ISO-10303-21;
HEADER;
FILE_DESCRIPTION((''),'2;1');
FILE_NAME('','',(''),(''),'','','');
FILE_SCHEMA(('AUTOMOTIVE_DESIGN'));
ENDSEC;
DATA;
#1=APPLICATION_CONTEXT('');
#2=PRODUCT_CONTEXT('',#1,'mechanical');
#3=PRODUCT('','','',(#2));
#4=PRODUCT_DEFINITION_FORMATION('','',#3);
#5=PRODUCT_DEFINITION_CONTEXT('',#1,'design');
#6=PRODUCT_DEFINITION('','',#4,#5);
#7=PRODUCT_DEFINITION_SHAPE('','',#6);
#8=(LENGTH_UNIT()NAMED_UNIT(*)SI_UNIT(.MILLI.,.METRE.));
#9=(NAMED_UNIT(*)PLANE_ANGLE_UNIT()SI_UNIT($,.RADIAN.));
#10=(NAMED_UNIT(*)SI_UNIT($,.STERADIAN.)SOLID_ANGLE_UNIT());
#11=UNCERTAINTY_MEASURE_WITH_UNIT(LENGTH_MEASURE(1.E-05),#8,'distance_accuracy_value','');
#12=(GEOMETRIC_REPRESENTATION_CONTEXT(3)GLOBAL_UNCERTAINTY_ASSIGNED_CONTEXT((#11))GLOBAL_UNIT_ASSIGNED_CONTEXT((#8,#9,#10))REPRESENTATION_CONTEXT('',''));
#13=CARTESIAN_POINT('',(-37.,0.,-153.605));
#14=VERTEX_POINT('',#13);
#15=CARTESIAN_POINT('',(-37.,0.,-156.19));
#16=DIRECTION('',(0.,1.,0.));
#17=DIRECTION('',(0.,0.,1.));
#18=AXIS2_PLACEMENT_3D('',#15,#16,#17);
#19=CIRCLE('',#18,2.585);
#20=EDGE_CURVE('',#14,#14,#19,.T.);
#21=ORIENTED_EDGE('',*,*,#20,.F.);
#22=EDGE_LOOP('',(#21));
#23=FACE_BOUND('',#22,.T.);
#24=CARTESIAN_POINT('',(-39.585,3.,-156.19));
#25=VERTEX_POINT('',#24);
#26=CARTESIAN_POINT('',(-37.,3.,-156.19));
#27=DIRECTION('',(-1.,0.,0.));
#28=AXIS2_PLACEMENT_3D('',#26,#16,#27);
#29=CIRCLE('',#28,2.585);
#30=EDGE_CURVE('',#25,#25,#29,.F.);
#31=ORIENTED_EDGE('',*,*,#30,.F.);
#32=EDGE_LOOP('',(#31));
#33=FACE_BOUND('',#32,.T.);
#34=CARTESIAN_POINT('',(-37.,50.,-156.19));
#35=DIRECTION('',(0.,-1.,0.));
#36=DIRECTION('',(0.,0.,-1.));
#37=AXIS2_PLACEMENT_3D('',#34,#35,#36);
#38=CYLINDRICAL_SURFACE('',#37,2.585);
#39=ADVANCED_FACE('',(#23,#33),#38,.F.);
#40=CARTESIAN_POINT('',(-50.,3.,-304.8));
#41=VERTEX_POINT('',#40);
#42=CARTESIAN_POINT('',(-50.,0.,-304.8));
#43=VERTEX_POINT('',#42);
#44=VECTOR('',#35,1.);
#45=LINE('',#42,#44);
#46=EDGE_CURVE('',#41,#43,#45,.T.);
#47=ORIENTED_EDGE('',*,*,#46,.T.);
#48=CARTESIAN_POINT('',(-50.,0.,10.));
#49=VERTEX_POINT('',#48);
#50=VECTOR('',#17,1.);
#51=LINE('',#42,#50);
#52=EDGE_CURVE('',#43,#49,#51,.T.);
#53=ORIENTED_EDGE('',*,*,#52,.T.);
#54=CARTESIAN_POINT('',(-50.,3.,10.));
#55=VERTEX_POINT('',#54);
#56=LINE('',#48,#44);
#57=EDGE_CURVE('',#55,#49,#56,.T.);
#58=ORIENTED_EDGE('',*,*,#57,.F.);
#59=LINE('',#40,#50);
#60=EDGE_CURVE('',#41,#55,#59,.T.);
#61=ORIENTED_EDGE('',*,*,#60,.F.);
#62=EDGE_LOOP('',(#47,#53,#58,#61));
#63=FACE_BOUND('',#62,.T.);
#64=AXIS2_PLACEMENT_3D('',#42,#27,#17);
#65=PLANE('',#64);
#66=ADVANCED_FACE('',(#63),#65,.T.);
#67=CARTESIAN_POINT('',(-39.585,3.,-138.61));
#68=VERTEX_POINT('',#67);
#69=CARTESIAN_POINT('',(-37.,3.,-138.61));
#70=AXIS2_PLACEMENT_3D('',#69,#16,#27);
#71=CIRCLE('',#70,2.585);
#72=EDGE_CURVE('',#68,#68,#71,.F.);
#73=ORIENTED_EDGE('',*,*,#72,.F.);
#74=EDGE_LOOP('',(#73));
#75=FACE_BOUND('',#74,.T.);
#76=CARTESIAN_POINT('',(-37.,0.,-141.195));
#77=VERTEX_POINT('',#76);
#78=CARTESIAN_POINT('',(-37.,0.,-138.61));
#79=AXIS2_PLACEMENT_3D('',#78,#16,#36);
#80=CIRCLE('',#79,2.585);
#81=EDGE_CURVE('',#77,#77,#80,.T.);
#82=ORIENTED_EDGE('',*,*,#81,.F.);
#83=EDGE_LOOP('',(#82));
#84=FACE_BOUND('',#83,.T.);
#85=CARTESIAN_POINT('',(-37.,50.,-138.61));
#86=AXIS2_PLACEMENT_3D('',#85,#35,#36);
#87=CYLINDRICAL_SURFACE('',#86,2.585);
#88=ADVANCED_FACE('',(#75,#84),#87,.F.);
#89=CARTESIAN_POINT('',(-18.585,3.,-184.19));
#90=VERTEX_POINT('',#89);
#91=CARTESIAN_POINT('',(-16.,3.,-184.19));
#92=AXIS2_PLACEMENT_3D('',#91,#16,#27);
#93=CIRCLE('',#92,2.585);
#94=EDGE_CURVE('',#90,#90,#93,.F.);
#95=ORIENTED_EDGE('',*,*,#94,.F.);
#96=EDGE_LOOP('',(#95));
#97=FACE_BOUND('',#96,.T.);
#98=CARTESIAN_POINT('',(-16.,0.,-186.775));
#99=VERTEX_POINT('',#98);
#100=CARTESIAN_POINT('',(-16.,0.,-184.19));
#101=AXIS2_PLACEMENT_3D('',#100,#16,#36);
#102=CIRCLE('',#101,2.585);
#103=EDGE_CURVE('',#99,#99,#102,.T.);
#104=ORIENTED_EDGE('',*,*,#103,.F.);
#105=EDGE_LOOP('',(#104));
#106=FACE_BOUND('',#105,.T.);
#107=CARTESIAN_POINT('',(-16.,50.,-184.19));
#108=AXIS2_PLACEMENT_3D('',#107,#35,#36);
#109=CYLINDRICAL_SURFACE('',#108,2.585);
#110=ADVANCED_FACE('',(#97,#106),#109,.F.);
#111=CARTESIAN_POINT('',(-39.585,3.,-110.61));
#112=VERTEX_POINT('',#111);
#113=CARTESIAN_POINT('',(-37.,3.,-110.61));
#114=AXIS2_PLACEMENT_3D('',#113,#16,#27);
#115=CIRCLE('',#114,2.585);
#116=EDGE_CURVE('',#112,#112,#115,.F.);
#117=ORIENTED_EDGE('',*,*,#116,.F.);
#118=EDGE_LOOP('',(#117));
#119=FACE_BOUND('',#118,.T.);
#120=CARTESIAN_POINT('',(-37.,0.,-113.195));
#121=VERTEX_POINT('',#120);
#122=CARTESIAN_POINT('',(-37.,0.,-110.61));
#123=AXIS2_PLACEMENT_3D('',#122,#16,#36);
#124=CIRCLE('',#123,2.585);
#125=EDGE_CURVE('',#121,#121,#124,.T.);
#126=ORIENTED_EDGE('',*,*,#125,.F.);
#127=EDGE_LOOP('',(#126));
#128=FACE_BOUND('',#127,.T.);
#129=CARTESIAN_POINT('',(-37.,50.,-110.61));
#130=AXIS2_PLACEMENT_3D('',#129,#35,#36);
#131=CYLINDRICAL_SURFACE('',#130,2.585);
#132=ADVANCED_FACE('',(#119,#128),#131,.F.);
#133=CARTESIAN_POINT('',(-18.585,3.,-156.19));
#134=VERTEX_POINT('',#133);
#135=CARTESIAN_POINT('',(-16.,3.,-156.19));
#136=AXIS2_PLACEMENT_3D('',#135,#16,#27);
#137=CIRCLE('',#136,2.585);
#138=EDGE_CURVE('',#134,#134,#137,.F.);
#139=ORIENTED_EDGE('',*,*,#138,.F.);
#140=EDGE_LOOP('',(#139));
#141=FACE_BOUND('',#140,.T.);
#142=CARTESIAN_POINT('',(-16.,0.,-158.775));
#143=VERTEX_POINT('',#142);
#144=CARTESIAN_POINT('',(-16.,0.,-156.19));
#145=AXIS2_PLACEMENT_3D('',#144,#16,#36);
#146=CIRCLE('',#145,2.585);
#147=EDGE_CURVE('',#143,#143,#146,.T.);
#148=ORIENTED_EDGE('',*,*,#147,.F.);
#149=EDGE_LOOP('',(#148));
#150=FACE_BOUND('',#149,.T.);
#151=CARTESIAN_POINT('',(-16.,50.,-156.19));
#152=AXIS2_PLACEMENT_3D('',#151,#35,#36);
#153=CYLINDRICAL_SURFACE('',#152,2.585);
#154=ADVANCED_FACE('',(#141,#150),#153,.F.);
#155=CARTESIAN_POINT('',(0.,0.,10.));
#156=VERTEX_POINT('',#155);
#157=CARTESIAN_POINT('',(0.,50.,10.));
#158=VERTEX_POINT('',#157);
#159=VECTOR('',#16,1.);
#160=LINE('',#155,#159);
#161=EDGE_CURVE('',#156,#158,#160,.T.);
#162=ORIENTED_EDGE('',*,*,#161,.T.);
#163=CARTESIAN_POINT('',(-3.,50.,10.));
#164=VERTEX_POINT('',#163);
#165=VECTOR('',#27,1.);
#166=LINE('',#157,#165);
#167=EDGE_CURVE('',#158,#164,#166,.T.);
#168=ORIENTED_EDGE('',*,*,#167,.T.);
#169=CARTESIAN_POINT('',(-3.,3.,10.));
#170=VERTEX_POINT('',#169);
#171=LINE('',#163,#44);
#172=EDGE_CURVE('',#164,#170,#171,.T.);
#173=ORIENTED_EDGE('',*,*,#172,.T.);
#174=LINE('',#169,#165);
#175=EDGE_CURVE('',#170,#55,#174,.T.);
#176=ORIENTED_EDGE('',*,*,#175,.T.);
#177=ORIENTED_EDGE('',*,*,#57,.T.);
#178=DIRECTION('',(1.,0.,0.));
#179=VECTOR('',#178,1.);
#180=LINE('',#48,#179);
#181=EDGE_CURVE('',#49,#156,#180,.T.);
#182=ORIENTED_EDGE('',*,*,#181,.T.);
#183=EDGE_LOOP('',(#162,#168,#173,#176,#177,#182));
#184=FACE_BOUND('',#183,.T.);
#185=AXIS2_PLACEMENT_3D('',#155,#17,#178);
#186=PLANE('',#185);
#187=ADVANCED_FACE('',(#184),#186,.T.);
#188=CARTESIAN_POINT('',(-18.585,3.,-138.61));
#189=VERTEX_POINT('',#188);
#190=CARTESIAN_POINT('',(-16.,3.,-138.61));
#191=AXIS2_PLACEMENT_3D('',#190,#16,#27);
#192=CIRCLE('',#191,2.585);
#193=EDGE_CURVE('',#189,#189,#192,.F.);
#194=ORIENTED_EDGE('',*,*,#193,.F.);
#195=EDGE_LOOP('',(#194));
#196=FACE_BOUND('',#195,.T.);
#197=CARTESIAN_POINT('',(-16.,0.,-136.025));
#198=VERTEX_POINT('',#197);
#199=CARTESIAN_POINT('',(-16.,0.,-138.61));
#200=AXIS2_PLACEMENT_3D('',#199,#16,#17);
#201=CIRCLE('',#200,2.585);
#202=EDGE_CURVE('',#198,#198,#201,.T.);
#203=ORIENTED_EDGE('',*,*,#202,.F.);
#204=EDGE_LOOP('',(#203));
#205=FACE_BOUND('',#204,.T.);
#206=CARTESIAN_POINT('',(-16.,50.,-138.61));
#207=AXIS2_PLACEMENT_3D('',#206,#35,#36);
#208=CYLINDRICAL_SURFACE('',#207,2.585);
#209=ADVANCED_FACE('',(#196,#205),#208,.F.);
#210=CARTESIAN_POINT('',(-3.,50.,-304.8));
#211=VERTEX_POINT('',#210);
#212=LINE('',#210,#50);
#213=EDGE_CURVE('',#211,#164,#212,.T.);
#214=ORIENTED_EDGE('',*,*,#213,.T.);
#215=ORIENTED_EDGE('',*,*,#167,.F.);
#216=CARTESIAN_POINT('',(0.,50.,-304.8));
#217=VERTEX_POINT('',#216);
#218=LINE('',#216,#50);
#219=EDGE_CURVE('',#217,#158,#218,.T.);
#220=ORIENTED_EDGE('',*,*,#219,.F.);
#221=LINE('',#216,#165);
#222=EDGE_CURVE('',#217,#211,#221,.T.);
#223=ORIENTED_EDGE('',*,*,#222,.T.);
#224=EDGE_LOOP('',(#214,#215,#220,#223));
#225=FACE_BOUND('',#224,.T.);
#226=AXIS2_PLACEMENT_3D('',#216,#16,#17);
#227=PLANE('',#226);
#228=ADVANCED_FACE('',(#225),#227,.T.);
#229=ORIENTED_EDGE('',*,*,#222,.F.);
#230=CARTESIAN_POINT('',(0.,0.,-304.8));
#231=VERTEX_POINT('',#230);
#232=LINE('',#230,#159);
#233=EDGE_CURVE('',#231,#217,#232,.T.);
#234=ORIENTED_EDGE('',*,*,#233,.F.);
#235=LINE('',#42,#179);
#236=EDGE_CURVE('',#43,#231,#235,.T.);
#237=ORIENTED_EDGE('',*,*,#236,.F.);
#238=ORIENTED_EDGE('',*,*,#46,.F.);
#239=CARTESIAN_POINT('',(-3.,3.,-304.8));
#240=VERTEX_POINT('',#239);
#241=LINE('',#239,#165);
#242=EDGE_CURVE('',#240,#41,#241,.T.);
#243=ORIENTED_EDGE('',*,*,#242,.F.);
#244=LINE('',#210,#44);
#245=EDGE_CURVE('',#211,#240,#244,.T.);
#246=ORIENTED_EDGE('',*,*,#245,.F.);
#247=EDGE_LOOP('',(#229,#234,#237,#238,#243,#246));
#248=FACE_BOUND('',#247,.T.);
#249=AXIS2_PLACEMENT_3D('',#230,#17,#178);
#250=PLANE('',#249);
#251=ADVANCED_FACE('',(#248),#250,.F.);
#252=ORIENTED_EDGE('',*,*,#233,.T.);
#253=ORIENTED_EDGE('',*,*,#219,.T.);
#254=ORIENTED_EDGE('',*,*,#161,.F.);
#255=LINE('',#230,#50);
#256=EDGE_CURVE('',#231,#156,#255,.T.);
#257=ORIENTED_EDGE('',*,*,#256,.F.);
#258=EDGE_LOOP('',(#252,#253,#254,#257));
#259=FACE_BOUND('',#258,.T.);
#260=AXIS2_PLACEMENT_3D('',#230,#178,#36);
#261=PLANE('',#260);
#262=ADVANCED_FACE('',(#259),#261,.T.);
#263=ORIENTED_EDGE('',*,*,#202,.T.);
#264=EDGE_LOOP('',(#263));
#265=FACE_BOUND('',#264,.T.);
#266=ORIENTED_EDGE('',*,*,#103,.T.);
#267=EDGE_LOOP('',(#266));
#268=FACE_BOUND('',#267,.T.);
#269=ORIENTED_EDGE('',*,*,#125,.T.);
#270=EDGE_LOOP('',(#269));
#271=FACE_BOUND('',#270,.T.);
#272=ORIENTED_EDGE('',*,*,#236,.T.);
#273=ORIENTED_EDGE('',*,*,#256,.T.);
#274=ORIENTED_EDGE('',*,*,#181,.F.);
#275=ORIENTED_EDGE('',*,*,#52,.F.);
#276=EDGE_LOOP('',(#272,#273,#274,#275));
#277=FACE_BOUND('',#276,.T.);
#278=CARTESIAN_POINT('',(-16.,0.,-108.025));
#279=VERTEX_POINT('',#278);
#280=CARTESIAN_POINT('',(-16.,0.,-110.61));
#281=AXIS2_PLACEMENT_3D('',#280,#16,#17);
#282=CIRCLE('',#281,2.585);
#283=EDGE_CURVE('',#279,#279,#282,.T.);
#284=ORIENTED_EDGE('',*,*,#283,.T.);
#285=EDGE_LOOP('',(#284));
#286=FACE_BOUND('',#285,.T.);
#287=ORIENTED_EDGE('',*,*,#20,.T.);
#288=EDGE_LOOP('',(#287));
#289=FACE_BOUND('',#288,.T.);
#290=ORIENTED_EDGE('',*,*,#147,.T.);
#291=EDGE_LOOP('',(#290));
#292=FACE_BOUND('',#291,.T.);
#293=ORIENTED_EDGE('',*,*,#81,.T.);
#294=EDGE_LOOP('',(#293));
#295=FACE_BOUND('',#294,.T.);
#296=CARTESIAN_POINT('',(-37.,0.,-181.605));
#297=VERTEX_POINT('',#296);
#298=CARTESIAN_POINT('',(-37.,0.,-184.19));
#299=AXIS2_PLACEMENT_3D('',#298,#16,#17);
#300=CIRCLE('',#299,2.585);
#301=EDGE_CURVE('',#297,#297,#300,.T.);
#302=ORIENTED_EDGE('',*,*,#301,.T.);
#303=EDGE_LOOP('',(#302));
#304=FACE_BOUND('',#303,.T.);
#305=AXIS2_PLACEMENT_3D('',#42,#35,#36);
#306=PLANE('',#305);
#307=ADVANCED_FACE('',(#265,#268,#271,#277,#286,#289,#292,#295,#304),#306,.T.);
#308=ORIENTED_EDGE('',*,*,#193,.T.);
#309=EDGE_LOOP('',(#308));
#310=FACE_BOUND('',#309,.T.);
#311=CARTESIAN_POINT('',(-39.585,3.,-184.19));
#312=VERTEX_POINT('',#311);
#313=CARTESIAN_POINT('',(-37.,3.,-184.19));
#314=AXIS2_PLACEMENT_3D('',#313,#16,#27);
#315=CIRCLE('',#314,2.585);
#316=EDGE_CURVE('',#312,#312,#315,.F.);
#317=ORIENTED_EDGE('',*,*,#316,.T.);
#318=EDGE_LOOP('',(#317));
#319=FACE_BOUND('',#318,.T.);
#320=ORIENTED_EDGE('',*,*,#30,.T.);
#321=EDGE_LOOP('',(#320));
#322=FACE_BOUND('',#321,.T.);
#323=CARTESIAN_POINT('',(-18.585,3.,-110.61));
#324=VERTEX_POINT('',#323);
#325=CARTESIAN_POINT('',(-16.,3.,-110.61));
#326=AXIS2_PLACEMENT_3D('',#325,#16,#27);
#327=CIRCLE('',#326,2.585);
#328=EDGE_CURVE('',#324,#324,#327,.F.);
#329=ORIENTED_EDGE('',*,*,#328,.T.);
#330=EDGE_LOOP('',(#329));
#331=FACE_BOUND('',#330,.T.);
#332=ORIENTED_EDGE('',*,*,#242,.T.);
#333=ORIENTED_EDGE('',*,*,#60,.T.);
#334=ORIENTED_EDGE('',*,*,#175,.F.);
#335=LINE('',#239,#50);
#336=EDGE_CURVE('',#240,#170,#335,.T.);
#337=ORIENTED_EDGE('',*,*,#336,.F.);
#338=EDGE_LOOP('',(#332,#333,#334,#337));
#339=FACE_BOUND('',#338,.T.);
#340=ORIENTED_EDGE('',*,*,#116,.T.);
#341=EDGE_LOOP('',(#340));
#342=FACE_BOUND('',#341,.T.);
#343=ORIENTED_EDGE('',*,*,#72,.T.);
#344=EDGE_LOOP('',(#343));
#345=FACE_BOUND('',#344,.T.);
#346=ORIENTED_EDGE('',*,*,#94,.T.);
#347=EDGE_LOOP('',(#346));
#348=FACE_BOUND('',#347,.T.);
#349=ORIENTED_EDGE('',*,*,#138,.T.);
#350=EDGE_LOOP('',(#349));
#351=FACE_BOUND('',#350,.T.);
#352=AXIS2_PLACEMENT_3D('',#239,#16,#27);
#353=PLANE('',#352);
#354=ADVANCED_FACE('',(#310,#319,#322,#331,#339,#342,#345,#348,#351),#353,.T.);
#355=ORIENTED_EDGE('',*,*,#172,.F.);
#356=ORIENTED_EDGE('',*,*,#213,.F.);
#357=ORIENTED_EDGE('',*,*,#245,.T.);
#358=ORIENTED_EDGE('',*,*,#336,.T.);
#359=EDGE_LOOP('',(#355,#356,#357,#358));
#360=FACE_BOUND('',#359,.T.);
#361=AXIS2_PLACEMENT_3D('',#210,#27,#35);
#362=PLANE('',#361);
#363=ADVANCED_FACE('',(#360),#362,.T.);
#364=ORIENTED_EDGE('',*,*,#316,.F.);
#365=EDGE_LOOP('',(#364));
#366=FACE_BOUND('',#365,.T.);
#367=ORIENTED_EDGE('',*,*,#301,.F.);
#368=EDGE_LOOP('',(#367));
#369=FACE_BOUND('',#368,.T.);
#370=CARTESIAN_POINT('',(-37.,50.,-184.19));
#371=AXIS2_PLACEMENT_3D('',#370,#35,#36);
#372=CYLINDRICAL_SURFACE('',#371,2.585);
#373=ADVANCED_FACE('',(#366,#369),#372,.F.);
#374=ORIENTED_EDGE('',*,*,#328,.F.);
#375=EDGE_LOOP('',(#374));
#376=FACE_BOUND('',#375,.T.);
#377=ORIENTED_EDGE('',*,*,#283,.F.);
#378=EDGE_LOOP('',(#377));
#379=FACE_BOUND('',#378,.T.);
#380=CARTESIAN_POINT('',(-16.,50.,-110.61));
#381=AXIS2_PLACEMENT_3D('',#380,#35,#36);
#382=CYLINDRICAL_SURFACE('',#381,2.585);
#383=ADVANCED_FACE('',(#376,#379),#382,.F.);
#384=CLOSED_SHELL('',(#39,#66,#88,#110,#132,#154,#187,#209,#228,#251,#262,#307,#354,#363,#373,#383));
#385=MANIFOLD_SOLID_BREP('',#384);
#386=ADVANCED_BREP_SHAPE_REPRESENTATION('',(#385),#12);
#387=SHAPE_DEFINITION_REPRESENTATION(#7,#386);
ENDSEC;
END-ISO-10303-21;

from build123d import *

# Parameters (mm, degrees)
BOSS_EXTRUDE1_DEPTH      = 10
BOSS_EXTRUDE1_DEPTH_BACK = 304.8
SKETCH4_R                = 2.585
CUT_EXTRUDE1_DEPTH       = 313.894614847


with BuildPart() as part:
    # Sketch3 → Boss-Extrude1 (new, two sides: drawn at the far end of the back side and taken through both)
    with BuildSketch(Plane.XY.offset(-BOSS_EXTRUDE1_DEPTH_BACK)):
        Polygon((-50, 0), (0, 0), (0, 50), (-3, 50), (-3, 3), (-50, 3), align=None)
    extrude(amount=BOSS_EXTRUDE1_DEPTH + BOSS_EXTRUDE1_DEPTH_BACK)

    # Sketch4 → Cut-Extrude1 (cut, through all)
    with BuildSketch(Plane(origin=(0, 0, 0), x_dir=(1, 0, 0), z_dir=(0, 1, 0))):
        with Locations(Location((-37, 156.19, 0), (0, 0, 180))):
            Circle(SKETCH4_R)
        with Locations(Location((-16, 156.19, 0), (0, 0, 90))):
            Circle(SKETCH4_R)
        with Locations(Location((-37, 184.19, 0), (0, 0, 180))):
            Circle(SKETCH4_R)
        with Locations(Location((-16, 184.19, 0), (0, 0, 90))):
            Circle(SKETCH4_R)
        with Locations(Location((-37, 110.61, 0), (0, 0, 90))):
            Circle(SKETCH4_R)
        with Locations(Location((-16, 110.61, 0), (0, 0, 180))):
            Circle(SKETCH4_R)
        with Locations(Location((-16, 138.61, 0), (0, 0, 180))):
            Circle(SKETCH4_R)
        with Locations(Location((-37, 138.61, 0), (0, 0, 90))):
            Circle(SKETCH4_R)
    extrude(amount=CUT_EXTRUDE1_DEPTH, mode=Mode.SUBTRACT)


solid = part.part
